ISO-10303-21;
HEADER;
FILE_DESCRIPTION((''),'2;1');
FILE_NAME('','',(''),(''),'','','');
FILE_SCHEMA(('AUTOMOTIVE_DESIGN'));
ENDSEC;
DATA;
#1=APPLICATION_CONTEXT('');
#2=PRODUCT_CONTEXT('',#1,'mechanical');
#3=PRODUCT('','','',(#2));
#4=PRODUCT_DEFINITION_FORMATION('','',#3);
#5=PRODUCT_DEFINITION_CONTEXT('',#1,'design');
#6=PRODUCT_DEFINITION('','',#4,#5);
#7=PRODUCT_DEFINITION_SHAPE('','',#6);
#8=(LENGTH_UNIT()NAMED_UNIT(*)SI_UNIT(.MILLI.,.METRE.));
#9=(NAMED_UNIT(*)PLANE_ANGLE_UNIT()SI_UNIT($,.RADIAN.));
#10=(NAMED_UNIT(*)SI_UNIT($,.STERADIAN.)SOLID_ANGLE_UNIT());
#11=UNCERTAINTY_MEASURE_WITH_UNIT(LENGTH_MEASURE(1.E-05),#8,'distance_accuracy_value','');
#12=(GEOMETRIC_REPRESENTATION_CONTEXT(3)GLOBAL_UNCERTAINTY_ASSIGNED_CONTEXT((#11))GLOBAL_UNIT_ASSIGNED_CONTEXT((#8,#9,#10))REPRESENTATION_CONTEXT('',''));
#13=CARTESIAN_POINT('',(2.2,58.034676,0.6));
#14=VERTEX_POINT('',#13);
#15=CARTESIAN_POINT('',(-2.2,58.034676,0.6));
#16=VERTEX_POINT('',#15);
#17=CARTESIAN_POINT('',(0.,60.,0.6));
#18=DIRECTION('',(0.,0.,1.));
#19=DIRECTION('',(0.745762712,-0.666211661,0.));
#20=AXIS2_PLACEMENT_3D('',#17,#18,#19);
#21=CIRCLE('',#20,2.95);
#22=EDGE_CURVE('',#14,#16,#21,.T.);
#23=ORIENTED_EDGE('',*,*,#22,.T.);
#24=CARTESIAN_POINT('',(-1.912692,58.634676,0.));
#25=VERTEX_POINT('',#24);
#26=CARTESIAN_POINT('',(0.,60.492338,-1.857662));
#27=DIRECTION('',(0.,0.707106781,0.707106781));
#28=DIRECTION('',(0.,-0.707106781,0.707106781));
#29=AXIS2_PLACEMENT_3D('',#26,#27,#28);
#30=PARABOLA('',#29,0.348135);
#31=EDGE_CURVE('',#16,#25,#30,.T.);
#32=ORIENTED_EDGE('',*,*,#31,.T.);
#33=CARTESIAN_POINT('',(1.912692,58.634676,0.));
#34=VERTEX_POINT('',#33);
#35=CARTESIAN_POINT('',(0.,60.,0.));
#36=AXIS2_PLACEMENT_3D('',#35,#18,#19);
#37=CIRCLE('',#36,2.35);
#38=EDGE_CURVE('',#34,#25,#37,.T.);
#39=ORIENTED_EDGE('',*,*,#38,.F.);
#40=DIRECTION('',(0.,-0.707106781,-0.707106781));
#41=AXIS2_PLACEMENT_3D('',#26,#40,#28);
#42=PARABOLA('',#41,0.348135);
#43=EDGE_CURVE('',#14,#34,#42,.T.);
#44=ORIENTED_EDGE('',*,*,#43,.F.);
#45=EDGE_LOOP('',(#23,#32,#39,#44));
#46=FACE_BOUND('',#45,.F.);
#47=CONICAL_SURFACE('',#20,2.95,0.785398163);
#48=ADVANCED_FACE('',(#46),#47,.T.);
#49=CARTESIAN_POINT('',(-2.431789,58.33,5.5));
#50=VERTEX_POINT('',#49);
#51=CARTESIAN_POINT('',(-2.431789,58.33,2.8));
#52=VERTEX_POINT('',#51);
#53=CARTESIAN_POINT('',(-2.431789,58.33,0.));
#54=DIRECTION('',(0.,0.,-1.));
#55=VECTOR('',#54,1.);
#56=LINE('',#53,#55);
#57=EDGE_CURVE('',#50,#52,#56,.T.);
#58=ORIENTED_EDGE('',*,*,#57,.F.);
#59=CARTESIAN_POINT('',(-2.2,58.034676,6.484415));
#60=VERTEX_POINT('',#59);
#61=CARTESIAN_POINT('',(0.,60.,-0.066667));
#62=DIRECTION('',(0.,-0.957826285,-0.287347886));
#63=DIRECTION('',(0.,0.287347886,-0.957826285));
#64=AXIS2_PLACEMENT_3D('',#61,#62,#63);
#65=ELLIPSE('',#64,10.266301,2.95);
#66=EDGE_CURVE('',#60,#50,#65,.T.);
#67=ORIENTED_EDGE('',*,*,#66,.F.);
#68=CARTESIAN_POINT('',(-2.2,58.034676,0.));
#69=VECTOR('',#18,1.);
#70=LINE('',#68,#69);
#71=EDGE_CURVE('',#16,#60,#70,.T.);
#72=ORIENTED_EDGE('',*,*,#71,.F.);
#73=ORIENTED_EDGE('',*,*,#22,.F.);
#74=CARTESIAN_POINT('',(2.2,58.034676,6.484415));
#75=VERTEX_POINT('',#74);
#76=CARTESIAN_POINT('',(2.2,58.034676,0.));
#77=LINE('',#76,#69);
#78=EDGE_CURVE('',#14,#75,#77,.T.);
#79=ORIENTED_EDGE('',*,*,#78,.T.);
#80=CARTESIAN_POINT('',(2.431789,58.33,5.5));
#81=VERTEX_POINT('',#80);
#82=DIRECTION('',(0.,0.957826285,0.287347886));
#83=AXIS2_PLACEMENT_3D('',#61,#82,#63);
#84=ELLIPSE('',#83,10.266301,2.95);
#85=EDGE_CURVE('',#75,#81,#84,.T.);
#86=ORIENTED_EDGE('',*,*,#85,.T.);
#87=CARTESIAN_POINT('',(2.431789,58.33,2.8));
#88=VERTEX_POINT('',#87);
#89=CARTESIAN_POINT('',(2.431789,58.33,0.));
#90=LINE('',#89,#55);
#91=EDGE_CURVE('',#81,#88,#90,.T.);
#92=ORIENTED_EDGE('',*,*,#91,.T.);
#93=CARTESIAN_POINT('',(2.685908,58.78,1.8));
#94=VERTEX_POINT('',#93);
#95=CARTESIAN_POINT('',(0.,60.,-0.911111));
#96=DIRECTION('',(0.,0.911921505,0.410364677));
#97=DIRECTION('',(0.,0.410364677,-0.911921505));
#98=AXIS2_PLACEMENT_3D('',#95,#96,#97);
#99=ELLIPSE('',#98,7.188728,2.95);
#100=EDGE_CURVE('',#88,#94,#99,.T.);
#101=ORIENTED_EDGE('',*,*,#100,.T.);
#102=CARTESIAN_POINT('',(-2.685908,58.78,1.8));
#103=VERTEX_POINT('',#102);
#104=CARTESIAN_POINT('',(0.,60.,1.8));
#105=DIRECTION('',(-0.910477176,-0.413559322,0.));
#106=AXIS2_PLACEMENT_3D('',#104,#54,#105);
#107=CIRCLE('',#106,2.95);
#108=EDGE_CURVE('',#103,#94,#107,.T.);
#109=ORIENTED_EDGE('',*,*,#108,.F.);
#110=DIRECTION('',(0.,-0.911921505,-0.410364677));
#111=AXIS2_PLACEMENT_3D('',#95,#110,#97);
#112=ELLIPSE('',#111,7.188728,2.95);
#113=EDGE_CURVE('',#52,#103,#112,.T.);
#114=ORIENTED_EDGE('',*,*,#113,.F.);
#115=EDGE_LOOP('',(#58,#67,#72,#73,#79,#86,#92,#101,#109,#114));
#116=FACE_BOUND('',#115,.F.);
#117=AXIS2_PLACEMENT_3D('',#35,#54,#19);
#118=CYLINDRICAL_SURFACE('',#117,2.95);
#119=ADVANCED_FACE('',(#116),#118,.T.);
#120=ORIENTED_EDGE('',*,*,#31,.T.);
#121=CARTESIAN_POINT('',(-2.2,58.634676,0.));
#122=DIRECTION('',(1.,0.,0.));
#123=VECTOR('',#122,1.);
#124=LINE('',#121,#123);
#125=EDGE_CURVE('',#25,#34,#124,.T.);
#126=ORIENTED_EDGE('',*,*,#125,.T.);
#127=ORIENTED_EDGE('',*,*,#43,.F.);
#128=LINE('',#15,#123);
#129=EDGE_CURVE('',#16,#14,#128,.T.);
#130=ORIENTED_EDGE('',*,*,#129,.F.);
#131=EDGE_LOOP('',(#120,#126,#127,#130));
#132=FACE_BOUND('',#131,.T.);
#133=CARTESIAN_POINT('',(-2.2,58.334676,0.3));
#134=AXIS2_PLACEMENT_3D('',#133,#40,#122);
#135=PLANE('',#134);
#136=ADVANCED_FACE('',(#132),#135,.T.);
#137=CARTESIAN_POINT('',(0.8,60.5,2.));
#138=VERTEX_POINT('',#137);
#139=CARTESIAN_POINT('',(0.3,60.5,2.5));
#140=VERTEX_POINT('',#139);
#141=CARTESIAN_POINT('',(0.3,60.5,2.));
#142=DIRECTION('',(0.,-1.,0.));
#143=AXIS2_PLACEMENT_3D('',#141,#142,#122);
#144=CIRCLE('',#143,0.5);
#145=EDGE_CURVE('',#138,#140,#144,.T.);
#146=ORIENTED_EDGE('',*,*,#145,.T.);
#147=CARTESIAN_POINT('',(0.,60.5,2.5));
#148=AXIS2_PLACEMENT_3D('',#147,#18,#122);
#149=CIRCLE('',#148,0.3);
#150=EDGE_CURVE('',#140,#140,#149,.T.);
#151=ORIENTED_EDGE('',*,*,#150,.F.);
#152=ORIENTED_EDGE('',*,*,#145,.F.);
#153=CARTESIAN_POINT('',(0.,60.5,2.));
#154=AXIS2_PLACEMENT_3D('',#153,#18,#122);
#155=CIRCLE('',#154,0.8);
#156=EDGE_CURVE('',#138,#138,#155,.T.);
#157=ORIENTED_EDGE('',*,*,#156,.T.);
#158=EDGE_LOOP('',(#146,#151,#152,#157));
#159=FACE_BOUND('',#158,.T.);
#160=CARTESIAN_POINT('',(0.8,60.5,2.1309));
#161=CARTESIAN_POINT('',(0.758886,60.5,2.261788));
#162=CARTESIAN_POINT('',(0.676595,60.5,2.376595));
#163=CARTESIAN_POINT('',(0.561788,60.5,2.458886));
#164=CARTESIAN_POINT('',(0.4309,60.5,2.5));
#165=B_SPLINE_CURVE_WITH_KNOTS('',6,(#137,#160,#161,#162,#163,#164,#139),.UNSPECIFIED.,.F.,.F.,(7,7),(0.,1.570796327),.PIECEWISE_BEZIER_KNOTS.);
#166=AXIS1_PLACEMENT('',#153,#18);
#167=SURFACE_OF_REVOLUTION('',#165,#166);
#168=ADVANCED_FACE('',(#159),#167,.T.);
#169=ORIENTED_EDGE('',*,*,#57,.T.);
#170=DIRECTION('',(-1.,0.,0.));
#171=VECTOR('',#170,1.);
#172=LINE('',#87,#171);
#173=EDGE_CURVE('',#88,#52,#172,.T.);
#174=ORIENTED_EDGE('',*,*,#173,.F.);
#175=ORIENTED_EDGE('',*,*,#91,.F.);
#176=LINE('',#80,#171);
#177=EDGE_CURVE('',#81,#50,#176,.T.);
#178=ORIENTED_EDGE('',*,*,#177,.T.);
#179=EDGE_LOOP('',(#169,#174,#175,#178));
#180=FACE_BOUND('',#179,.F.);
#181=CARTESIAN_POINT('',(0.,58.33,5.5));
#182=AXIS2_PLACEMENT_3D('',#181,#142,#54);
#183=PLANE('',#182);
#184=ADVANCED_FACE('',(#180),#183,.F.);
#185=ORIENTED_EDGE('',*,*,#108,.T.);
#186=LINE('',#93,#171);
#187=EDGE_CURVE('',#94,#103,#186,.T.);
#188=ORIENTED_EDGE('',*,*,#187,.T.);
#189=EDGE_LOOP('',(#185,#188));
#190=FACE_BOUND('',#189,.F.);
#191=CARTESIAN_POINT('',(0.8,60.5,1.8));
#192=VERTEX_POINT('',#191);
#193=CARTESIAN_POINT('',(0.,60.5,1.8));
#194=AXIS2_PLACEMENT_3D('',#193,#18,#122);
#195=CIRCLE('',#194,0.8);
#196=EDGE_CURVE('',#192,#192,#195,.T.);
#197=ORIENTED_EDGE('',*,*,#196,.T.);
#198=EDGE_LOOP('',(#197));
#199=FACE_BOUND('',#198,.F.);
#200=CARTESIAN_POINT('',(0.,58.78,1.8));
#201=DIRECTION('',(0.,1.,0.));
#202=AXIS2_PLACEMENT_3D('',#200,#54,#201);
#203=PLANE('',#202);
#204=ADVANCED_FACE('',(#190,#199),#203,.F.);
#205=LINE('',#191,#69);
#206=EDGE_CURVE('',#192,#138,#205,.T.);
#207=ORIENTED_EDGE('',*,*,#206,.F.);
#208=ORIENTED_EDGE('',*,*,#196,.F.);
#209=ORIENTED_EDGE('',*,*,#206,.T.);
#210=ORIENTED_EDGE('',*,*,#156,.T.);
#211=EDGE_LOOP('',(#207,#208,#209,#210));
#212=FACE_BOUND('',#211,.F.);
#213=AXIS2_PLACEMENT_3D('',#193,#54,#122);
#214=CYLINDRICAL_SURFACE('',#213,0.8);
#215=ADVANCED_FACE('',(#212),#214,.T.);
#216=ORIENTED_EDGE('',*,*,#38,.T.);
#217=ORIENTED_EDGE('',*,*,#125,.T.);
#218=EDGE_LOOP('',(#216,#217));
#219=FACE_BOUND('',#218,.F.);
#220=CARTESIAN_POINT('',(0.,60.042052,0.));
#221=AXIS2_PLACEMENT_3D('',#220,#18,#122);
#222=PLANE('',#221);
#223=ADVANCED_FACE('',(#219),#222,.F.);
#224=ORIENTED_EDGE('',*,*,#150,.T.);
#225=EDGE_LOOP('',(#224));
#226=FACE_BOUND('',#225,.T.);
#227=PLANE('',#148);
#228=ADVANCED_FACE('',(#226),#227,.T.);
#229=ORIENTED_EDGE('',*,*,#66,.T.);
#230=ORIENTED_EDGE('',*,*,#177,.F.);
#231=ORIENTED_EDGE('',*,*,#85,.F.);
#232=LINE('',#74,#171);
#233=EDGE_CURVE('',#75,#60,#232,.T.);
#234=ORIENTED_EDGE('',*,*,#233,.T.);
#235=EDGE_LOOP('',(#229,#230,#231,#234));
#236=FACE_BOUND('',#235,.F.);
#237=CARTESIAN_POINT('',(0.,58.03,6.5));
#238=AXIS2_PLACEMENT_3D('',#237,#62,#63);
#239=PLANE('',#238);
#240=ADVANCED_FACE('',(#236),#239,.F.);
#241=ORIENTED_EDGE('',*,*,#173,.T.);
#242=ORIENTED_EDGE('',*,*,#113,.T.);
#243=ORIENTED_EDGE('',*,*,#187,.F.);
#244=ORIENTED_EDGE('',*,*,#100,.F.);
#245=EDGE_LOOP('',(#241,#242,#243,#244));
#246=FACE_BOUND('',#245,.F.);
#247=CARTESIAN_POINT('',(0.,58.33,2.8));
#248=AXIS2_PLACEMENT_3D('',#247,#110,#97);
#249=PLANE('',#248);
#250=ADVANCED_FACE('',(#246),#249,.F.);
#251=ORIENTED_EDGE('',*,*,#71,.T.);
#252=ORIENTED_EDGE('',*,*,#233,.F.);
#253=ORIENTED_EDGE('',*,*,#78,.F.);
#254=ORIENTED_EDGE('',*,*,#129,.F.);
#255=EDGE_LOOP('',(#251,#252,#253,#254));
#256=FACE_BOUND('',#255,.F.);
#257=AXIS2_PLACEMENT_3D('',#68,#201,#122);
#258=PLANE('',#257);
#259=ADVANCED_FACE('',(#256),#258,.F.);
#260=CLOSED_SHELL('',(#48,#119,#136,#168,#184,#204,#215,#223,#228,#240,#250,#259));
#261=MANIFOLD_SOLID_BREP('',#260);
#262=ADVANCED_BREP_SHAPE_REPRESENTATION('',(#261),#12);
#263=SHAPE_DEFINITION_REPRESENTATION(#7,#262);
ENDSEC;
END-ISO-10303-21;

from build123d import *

# Parameters (mm, degrees)
PAD003_DEPTH         = 6.5
POCKET004_DEPTH      = 2.951
POCKET004_DEPTH_BACK = 2.951
SKETCH013_R          = 0.8
PAD006_DEPTH         = 0.7
FILLET_R             = 0.5
CHAMFER004_SIZE      = 0.6


with BuildPart() as part:
    # Sketch004 → Pad003 (new body)
    with BuildSketch(Plane.XY):
        with BuildLine():
            ThreePointArc((2.2, -1.9653244007), (0, 2.95), (-2.2, -1.9653244007))
            Line((-2.2, -1.9653244007), (2.2, -1.9653244007))
        make_face()
    extrude(amount=PAD003_DEPTH)

    # Sketch014 → Pocket004 (cut, two sides)
    with BuildSketch(Plane.YZ) as pocket004_sk:
        Polygon((-1.97, 6.5), (-1.67, 5.5), (-1.67, 2.8), (-1.22, 1.8), (4, 1.8), (4, 6.5), align=None)
    extrude(amount=-POCKET004_DEPTH, mode=Mode.SUBTRACT)
    extrude(pocket004_sk.sketch, amount=POCKET004_DEPTH_BACK, mode=Mode.SUBTRACT)

    # Sketch013 (on Face7 of Pocket004) → Pad006 (join)
    with BuildSketch(Plane.XY.offset(1.8)):
        with Locations((0, 0.5)):
            Circle(SKETCH013_R)
    extrude(amount=PAD006_DEPTH)

    # Fillet
    fillet_edges = [part.edges().sort_by_distance(p)[0] for p in [
        (-0.8, 0.5, 2.5),
    ]]
    fillet(fillet_edges, radius=FILLET_R)

    # Chamfer004
    chamfer004_edges = [part.edges().sort_by_distance(p)[0] for p in [
        (0, 2.95, 0),
        (0, -1.965324, 0),
    ]]
    chamfer(chamfer004_edges, length=CHAMFER004_SIZE)


with BuildPart() as part_1:
    # Body029 placement: moved
    add(part.part.moved(Location((0, 60, 0))))


solid = part_1.part
